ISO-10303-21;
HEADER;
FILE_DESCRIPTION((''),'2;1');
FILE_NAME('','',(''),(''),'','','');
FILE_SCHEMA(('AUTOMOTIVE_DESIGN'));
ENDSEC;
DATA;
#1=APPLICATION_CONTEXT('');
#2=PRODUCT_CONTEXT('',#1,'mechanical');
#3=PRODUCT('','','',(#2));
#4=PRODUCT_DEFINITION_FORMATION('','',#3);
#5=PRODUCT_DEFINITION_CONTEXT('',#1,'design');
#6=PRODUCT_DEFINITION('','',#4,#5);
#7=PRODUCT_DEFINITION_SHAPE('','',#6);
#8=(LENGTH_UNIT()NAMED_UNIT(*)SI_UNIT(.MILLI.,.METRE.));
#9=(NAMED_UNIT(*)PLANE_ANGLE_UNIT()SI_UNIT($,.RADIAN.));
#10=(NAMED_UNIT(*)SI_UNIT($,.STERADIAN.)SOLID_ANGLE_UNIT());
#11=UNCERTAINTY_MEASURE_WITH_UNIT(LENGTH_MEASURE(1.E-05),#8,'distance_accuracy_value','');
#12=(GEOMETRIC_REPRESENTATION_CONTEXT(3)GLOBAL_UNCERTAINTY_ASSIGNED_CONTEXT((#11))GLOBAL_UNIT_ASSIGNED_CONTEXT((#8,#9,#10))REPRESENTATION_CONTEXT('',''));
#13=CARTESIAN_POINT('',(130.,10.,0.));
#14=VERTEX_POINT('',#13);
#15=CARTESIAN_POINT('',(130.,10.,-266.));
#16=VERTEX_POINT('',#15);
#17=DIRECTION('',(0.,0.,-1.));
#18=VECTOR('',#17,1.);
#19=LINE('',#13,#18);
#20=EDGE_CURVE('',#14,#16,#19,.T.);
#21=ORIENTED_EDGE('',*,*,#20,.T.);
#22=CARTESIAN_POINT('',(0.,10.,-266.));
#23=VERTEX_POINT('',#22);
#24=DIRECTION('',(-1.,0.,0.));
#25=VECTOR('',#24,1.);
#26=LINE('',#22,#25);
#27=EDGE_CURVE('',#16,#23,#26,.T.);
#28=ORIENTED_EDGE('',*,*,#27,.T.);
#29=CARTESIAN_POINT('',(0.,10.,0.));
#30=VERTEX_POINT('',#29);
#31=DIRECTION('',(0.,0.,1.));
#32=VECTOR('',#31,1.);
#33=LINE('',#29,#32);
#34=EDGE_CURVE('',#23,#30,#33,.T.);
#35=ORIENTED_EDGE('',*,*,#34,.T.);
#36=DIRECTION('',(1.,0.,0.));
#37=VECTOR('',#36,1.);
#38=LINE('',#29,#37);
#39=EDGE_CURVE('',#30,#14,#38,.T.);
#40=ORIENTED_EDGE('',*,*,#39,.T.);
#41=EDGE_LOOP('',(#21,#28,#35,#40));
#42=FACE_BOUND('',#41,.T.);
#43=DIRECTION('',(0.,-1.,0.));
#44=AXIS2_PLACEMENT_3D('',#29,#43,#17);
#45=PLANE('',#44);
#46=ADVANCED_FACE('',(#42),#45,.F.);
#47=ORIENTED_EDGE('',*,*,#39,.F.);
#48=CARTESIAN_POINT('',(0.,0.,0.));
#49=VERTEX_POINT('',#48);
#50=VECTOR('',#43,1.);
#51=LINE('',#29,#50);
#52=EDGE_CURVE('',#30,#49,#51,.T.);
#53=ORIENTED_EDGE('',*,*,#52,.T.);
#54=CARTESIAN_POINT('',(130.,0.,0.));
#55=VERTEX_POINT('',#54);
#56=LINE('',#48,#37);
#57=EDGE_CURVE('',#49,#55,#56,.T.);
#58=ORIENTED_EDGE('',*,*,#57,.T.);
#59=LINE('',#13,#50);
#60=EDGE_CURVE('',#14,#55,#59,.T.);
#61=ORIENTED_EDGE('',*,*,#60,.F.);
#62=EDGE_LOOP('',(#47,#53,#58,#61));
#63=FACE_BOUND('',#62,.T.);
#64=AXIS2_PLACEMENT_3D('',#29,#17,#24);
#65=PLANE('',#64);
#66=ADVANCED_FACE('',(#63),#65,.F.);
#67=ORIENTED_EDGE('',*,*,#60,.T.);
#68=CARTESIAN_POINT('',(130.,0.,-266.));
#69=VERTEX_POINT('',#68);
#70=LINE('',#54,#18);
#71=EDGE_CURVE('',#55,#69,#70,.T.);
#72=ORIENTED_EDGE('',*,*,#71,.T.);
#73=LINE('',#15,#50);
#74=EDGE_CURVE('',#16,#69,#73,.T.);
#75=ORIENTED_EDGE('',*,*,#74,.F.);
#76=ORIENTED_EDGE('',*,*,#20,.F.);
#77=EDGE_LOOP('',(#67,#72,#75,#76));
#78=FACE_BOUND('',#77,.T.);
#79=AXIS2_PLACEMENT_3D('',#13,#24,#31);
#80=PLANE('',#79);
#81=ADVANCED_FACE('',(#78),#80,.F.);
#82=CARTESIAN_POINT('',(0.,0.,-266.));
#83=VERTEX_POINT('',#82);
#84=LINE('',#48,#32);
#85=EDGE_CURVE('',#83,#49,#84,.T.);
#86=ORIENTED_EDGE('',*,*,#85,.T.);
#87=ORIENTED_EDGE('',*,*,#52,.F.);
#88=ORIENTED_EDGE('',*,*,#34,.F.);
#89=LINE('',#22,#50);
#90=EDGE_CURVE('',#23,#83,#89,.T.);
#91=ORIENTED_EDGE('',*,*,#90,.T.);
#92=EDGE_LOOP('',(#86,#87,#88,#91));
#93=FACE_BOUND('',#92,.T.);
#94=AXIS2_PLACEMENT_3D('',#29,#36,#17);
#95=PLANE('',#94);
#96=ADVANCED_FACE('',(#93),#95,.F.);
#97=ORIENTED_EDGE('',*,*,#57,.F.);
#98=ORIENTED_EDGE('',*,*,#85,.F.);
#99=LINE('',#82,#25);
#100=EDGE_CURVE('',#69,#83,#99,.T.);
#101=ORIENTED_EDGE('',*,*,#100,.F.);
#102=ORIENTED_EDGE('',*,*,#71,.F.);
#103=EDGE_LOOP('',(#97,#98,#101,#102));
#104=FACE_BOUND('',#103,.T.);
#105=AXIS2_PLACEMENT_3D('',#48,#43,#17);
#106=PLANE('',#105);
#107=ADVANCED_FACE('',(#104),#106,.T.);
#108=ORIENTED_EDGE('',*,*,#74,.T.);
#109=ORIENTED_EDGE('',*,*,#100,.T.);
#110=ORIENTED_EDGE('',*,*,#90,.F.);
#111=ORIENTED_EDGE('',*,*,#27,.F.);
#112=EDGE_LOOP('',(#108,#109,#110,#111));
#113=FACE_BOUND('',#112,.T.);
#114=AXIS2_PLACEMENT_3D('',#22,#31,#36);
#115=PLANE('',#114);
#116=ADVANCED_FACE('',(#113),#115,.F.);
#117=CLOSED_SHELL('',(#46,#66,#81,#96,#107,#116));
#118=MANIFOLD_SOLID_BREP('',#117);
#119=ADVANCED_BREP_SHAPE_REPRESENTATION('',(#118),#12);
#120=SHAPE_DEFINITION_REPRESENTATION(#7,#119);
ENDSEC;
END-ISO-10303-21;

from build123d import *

# Parameters (mm, degrees)
SKETCH1_W           = 130
SKETCH1_H           = 266
BOSS_EXTRUDE1_DEPTH = 10


with BuildPart() as part:
    # Sketch1 → Boss-Extrude1 (new body)
    with BuildSketch(Plane(origin=(0, 0, 0), x_dir=(1, 0, 0), z_dir=(0, 1, 0))):
        with Locations((65, 133)):
            Rectangle(SKETCH1_W, SKETCH1_H)
    extrude(amount=BOSS_EXTRUDE1_DEPTH)


solid = part.part
